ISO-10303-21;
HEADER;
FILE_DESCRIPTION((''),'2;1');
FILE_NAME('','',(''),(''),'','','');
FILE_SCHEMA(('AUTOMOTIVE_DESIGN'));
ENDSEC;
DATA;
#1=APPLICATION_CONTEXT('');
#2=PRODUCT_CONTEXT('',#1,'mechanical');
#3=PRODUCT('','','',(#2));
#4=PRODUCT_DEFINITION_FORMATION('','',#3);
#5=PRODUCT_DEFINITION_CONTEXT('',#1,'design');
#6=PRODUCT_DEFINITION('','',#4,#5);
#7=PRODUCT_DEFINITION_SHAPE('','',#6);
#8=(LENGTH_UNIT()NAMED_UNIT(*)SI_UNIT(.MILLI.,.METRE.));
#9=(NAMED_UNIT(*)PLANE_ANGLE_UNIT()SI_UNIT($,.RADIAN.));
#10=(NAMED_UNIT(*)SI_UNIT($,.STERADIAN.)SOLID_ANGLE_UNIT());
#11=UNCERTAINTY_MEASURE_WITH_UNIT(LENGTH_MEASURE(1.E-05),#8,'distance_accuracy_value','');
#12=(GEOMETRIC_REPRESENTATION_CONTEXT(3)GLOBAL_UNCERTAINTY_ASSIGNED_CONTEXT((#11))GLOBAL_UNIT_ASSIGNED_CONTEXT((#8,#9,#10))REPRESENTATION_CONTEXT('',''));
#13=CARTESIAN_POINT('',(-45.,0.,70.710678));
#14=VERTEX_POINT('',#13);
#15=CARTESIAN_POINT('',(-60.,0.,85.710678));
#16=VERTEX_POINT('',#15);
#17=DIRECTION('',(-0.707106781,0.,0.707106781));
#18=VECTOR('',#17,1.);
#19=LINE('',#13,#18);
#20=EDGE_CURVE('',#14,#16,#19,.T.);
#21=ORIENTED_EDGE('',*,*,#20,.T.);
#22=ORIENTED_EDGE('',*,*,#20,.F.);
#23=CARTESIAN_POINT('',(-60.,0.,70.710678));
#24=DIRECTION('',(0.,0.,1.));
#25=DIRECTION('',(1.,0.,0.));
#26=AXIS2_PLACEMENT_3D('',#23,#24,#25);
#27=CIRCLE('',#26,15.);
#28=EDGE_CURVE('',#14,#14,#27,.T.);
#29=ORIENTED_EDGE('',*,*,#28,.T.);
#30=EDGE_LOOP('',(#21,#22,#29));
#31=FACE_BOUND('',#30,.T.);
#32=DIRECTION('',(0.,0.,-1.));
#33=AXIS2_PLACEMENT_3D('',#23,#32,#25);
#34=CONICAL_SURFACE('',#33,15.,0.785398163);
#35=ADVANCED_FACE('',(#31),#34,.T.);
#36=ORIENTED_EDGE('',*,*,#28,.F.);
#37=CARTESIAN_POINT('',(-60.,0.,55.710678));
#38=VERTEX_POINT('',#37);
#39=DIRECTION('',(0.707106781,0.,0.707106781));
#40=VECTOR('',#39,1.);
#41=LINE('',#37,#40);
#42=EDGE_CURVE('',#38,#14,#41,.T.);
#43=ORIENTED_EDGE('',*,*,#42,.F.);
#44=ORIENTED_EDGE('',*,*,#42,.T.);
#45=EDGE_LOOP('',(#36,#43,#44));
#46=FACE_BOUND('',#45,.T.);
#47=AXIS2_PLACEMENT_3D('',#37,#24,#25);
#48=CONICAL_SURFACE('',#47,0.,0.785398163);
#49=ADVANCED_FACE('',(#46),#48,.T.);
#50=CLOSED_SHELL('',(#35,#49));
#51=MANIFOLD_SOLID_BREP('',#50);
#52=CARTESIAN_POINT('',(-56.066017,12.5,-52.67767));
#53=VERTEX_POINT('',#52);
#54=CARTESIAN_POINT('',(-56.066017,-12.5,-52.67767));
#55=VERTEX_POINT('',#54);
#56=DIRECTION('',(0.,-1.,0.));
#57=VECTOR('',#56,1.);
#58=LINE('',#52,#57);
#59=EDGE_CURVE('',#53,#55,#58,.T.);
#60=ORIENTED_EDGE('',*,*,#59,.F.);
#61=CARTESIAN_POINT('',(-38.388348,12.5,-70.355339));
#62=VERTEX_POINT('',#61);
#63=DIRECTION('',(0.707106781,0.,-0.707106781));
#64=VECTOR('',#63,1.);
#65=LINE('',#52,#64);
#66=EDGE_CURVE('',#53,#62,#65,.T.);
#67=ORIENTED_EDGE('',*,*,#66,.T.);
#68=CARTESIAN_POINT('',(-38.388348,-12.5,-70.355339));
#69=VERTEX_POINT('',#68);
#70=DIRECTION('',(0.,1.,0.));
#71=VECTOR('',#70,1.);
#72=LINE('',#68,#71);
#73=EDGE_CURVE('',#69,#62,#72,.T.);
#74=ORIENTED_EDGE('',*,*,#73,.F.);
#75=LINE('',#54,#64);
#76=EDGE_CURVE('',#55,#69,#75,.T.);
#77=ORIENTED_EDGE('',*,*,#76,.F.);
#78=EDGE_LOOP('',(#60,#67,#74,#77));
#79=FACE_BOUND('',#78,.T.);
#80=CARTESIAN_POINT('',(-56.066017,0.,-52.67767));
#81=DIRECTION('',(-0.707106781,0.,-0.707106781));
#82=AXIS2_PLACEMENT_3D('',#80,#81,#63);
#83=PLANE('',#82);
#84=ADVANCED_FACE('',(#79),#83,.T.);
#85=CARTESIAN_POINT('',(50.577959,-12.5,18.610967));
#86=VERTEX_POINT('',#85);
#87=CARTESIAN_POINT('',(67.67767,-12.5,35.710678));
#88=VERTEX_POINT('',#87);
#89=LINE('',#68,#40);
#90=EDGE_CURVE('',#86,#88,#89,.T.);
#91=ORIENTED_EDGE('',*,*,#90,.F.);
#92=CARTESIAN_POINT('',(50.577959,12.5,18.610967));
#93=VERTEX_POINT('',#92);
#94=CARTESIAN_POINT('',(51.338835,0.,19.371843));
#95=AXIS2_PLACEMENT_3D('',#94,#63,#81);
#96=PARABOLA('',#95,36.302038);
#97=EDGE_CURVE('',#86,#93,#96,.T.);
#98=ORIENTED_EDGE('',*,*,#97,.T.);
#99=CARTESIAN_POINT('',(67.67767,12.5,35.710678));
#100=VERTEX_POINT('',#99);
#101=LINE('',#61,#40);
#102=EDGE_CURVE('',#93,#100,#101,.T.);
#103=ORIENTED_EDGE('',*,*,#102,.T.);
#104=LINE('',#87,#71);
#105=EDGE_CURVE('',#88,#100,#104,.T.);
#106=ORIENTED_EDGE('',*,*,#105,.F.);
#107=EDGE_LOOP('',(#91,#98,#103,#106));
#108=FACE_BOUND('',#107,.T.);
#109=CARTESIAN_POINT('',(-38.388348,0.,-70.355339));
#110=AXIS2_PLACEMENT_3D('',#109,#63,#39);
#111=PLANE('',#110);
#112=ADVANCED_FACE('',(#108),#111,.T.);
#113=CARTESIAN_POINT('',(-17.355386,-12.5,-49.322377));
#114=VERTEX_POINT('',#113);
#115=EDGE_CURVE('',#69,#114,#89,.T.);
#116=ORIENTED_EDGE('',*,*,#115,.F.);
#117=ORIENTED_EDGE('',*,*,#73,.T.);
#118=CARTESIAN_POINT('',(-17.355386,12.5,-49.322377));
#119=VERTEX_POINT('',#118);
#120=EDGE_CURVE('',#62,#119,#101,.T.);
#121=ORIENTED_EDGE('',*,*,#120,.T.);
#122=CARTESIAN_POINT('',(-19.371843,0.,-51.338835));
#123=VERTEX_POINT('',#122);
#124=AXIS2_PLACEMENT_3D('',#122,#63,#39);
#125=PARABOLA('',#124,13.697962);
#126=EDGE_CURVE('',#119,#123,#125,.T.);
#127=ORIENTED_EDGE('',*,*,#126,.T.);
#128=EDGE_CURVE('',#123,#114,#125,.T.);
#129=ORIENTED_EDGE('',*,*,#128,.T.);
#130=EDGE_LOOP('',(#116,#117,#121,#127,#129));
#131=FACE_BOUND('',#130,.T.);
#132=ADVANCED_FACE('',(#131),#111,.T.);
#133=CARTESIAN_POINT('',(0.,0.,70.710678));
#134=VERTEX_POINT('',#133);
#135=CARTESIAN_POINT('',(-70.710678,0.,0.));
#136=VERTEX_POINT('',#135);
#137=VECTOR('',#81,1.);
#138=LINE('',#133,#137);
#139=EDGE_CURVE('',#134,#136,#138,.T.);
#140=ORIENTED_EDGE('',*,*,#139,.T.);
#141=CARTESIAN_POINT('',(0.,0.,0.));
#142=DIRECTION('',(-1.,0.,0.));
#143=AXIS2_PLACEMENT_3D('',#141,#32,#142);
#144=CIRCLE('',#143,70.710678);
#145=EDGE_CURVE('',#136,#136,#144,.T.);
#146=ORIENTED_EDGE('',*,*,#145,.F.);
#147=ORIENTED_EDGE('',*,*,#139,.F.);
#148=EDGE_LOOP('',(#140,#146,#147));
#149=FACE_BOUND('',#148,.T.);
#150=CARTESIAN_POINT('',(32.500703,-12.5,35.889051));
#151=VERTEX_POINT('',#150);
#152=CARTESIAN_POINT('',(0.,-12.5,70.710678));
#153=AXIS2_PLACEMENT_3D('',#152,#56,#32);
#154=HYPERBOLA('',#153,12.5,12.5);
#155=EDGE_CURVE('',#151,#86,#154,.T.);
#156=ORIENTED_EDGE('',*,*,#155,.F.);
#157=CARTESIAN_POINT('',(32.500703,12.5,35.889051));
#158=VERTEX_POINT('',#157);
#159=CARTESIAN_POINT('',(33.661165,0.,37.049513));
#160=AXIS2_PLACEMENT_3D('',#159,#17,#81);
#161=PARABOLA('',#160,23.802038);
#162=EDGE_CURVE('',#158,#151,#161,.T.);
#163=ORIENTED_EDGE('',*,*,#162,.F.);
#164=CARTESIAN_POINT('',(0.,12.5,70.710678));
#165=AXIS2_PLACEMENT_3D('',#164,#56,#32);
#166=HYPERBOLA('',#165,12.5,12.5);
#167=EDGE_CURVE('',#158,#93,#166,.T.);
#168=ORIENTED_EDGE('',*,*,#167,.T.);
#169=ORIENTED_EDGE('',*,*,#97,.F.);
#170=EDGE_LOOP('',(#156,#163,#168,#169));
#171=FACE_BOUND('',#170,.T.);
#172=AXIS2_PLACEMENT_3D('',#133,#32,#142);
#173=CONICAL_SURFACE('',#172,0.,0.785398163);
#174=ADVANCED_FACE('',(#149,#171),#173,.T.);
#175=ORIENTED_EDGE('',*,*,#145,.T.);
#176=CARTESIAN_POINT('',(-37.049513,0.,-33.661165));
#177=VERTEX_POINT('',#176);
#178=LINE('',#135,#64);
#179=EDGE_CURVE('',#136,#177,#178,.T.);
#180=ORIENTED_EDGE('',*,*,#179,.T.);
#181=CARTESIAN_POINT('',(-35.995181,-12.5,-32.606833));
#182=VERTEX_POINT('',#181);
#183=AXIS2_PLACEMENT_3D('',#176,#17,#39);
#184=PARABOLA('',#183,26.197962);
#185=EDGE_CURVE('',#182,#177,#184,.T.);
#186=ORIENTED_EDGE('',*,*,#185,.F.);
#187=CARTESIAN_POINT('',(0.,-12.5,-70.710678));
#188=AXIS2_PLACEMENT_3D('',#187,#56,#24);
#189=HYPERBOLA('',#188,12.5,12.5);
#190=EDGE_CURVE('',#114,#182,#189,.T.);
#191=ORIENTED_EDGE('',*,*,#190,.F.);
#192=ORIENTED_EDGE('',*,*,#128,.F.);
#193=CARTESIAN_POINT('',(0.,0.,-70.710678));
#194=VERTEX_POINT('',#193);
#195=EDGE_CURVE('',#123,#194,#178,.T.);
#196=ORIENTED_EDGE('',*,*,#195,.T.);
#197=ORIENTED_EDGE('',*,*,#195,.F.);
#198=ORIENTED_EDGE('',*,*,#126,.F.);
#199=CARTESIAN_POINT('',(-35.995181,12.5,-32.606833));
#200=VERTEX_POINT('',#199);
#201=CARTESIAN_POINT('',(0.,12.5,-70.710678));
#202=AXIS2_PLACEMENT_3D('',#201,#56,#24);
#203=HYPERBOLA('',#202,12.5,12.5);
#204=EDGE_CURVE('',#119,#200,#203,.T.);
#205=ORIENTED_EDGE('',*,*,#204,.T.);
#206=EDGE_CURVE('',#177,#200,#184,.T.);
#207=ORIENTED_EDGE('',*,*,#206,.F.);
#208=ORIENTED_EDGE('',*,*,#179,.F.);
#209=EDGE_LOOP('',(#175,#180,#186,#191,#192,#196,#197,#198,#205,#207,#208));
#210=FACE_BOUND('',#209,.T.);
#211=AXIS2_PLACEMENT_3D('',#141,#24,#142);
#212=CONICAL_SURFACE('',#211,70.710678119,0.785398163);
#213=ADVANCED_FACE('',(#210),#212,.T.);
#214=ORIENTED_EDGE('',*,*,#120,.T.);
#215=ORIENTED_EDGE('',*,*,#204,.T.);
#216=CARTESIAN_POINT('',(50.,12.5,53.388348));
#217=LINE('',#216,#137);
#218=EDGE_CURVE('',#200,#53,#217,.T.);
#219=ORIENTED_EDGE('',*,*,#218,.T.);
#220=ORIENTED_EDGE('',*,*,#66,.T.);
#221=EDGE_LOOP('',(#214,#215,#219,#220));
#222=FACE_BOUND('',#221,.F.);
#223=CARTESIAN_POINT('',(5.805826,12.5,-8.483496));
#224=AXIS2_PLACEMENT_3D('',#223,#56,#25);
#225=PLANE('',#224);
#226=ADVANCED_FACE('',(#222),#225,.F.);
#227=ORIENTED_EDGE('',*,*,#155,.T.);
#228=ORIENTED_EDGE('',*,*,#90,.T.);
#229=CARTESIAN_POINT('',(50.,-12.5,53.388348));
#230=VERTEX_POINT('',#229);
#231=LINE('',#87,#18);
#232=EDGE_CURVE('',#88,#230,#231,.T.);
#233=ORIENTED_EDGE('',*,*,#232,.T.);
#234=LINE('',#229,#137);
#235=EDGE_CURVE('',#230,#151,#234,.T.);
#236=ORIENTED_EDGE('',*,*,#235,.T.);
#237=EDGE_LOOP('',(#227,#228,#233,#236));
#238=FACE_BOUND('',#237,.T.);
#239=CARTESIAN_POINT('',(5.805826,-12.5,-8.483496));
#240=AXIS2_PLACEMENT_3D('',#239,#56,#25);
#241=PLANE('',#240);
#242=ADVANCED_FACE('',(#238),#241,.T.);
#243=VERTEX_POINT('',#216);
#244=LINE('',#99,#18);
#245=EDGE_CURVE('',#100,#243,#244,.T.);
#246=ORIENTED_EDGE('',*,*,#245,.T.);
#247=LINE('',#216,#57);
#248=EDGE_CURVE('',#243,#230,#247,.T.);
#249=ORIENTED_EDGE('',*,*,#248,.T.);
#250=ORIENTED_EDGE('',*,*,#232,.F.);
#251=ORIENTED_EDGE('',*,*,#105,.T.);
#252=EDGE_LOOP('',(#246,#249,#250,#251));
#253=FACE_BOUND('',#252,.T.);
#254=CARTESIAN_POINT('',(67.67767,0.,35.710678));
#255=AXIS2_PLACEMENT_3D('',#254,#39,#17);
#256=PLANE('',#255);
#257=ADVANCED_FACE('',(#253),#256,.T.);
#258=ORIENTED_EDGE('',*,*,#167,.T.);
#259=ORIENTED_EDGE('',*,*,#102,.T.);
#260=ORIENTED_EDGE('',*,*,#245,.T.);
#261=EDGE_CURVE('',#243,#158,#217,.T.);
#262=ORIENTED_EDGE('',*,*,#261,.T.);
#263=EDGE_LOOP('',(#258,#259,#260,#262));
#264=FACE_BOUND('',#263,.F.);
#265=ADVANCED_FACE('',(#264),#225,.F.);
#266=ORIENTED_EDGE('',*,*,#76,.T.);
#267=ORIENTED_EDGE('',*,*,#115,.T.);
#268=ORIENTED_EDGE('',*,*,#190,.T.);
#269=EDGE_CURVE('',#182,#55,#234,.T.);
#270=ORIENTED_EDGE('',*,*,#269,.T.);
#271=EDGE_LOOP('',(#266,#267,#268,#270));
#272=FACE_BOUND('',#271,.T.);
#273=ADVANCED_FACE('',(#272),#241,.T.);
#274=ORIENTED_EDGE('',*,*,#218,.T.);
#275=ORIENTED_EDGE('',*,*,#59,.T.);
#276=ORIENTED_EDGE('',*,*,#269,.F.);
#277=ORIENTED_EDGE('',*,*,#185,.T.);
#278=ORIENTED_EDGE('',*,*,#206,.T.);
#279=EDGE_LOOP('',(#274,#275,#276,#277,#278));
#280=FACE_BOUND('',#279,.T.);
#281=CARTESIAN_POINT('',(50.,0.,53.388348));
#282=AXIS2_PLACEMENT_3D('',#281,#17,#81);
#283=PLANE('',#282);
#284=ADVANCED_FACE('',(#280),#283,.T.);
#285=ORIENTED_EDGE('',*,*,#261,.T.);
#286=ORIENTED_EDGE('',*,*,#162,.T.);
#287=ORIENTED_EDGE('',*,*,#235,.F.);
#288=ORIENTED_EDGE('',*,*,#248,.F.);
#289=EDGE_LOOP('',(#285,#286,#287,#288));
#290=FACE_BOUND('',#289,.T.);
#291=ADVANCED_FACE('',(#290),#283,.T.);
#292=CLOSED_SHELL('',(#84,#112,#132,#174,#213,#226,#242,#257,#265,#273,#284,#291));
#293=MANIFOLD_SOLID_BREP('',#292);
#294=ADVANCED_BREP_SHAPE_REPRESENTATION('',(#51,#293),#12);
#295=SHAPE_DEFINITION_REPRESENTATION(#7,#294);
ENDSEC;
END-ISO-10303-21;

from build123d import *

# Parameters (mm, degrees)
F5_DEPTH = 12.5


with BuildPart() as f1:
    # F0 (on Front) → F1 (revolve)
    with BuildSketch(Plane.XZ):
        Polygon((0, -70.7106781187), (0, 70.7106781187), (-70.7106781187, 0), align=None)
    revolve(axis=Axis((0, 0, -1.1759153851), (0, 0, -1)))

    # F4 (on Front) → F5 (join, symmetric)
    with BuildSketch(Plane.XZ):
        Polygon((67.6776695297, 35.7106781187), (50, 53.3883476483), (-56.066017178, -52.6776695297), (-38.3883476483, -70.3553390593), align=None)
    extrude(amount=F5_DEPTH, both=True)


with BuildPart() as f3:
    # F2 (on Front) → F3 (revolve)
    with BuildSketch(Plane.XZ):
        Polygon((-60, 55.7106781187), (-45, 70.7106781187), (-60, 85.7106781187), align=None)
    revolve(axis=Axis((-60, 0, 69.1770929843), (0, 0, 1)))


solid = Compound([f1.part, f3.part])
